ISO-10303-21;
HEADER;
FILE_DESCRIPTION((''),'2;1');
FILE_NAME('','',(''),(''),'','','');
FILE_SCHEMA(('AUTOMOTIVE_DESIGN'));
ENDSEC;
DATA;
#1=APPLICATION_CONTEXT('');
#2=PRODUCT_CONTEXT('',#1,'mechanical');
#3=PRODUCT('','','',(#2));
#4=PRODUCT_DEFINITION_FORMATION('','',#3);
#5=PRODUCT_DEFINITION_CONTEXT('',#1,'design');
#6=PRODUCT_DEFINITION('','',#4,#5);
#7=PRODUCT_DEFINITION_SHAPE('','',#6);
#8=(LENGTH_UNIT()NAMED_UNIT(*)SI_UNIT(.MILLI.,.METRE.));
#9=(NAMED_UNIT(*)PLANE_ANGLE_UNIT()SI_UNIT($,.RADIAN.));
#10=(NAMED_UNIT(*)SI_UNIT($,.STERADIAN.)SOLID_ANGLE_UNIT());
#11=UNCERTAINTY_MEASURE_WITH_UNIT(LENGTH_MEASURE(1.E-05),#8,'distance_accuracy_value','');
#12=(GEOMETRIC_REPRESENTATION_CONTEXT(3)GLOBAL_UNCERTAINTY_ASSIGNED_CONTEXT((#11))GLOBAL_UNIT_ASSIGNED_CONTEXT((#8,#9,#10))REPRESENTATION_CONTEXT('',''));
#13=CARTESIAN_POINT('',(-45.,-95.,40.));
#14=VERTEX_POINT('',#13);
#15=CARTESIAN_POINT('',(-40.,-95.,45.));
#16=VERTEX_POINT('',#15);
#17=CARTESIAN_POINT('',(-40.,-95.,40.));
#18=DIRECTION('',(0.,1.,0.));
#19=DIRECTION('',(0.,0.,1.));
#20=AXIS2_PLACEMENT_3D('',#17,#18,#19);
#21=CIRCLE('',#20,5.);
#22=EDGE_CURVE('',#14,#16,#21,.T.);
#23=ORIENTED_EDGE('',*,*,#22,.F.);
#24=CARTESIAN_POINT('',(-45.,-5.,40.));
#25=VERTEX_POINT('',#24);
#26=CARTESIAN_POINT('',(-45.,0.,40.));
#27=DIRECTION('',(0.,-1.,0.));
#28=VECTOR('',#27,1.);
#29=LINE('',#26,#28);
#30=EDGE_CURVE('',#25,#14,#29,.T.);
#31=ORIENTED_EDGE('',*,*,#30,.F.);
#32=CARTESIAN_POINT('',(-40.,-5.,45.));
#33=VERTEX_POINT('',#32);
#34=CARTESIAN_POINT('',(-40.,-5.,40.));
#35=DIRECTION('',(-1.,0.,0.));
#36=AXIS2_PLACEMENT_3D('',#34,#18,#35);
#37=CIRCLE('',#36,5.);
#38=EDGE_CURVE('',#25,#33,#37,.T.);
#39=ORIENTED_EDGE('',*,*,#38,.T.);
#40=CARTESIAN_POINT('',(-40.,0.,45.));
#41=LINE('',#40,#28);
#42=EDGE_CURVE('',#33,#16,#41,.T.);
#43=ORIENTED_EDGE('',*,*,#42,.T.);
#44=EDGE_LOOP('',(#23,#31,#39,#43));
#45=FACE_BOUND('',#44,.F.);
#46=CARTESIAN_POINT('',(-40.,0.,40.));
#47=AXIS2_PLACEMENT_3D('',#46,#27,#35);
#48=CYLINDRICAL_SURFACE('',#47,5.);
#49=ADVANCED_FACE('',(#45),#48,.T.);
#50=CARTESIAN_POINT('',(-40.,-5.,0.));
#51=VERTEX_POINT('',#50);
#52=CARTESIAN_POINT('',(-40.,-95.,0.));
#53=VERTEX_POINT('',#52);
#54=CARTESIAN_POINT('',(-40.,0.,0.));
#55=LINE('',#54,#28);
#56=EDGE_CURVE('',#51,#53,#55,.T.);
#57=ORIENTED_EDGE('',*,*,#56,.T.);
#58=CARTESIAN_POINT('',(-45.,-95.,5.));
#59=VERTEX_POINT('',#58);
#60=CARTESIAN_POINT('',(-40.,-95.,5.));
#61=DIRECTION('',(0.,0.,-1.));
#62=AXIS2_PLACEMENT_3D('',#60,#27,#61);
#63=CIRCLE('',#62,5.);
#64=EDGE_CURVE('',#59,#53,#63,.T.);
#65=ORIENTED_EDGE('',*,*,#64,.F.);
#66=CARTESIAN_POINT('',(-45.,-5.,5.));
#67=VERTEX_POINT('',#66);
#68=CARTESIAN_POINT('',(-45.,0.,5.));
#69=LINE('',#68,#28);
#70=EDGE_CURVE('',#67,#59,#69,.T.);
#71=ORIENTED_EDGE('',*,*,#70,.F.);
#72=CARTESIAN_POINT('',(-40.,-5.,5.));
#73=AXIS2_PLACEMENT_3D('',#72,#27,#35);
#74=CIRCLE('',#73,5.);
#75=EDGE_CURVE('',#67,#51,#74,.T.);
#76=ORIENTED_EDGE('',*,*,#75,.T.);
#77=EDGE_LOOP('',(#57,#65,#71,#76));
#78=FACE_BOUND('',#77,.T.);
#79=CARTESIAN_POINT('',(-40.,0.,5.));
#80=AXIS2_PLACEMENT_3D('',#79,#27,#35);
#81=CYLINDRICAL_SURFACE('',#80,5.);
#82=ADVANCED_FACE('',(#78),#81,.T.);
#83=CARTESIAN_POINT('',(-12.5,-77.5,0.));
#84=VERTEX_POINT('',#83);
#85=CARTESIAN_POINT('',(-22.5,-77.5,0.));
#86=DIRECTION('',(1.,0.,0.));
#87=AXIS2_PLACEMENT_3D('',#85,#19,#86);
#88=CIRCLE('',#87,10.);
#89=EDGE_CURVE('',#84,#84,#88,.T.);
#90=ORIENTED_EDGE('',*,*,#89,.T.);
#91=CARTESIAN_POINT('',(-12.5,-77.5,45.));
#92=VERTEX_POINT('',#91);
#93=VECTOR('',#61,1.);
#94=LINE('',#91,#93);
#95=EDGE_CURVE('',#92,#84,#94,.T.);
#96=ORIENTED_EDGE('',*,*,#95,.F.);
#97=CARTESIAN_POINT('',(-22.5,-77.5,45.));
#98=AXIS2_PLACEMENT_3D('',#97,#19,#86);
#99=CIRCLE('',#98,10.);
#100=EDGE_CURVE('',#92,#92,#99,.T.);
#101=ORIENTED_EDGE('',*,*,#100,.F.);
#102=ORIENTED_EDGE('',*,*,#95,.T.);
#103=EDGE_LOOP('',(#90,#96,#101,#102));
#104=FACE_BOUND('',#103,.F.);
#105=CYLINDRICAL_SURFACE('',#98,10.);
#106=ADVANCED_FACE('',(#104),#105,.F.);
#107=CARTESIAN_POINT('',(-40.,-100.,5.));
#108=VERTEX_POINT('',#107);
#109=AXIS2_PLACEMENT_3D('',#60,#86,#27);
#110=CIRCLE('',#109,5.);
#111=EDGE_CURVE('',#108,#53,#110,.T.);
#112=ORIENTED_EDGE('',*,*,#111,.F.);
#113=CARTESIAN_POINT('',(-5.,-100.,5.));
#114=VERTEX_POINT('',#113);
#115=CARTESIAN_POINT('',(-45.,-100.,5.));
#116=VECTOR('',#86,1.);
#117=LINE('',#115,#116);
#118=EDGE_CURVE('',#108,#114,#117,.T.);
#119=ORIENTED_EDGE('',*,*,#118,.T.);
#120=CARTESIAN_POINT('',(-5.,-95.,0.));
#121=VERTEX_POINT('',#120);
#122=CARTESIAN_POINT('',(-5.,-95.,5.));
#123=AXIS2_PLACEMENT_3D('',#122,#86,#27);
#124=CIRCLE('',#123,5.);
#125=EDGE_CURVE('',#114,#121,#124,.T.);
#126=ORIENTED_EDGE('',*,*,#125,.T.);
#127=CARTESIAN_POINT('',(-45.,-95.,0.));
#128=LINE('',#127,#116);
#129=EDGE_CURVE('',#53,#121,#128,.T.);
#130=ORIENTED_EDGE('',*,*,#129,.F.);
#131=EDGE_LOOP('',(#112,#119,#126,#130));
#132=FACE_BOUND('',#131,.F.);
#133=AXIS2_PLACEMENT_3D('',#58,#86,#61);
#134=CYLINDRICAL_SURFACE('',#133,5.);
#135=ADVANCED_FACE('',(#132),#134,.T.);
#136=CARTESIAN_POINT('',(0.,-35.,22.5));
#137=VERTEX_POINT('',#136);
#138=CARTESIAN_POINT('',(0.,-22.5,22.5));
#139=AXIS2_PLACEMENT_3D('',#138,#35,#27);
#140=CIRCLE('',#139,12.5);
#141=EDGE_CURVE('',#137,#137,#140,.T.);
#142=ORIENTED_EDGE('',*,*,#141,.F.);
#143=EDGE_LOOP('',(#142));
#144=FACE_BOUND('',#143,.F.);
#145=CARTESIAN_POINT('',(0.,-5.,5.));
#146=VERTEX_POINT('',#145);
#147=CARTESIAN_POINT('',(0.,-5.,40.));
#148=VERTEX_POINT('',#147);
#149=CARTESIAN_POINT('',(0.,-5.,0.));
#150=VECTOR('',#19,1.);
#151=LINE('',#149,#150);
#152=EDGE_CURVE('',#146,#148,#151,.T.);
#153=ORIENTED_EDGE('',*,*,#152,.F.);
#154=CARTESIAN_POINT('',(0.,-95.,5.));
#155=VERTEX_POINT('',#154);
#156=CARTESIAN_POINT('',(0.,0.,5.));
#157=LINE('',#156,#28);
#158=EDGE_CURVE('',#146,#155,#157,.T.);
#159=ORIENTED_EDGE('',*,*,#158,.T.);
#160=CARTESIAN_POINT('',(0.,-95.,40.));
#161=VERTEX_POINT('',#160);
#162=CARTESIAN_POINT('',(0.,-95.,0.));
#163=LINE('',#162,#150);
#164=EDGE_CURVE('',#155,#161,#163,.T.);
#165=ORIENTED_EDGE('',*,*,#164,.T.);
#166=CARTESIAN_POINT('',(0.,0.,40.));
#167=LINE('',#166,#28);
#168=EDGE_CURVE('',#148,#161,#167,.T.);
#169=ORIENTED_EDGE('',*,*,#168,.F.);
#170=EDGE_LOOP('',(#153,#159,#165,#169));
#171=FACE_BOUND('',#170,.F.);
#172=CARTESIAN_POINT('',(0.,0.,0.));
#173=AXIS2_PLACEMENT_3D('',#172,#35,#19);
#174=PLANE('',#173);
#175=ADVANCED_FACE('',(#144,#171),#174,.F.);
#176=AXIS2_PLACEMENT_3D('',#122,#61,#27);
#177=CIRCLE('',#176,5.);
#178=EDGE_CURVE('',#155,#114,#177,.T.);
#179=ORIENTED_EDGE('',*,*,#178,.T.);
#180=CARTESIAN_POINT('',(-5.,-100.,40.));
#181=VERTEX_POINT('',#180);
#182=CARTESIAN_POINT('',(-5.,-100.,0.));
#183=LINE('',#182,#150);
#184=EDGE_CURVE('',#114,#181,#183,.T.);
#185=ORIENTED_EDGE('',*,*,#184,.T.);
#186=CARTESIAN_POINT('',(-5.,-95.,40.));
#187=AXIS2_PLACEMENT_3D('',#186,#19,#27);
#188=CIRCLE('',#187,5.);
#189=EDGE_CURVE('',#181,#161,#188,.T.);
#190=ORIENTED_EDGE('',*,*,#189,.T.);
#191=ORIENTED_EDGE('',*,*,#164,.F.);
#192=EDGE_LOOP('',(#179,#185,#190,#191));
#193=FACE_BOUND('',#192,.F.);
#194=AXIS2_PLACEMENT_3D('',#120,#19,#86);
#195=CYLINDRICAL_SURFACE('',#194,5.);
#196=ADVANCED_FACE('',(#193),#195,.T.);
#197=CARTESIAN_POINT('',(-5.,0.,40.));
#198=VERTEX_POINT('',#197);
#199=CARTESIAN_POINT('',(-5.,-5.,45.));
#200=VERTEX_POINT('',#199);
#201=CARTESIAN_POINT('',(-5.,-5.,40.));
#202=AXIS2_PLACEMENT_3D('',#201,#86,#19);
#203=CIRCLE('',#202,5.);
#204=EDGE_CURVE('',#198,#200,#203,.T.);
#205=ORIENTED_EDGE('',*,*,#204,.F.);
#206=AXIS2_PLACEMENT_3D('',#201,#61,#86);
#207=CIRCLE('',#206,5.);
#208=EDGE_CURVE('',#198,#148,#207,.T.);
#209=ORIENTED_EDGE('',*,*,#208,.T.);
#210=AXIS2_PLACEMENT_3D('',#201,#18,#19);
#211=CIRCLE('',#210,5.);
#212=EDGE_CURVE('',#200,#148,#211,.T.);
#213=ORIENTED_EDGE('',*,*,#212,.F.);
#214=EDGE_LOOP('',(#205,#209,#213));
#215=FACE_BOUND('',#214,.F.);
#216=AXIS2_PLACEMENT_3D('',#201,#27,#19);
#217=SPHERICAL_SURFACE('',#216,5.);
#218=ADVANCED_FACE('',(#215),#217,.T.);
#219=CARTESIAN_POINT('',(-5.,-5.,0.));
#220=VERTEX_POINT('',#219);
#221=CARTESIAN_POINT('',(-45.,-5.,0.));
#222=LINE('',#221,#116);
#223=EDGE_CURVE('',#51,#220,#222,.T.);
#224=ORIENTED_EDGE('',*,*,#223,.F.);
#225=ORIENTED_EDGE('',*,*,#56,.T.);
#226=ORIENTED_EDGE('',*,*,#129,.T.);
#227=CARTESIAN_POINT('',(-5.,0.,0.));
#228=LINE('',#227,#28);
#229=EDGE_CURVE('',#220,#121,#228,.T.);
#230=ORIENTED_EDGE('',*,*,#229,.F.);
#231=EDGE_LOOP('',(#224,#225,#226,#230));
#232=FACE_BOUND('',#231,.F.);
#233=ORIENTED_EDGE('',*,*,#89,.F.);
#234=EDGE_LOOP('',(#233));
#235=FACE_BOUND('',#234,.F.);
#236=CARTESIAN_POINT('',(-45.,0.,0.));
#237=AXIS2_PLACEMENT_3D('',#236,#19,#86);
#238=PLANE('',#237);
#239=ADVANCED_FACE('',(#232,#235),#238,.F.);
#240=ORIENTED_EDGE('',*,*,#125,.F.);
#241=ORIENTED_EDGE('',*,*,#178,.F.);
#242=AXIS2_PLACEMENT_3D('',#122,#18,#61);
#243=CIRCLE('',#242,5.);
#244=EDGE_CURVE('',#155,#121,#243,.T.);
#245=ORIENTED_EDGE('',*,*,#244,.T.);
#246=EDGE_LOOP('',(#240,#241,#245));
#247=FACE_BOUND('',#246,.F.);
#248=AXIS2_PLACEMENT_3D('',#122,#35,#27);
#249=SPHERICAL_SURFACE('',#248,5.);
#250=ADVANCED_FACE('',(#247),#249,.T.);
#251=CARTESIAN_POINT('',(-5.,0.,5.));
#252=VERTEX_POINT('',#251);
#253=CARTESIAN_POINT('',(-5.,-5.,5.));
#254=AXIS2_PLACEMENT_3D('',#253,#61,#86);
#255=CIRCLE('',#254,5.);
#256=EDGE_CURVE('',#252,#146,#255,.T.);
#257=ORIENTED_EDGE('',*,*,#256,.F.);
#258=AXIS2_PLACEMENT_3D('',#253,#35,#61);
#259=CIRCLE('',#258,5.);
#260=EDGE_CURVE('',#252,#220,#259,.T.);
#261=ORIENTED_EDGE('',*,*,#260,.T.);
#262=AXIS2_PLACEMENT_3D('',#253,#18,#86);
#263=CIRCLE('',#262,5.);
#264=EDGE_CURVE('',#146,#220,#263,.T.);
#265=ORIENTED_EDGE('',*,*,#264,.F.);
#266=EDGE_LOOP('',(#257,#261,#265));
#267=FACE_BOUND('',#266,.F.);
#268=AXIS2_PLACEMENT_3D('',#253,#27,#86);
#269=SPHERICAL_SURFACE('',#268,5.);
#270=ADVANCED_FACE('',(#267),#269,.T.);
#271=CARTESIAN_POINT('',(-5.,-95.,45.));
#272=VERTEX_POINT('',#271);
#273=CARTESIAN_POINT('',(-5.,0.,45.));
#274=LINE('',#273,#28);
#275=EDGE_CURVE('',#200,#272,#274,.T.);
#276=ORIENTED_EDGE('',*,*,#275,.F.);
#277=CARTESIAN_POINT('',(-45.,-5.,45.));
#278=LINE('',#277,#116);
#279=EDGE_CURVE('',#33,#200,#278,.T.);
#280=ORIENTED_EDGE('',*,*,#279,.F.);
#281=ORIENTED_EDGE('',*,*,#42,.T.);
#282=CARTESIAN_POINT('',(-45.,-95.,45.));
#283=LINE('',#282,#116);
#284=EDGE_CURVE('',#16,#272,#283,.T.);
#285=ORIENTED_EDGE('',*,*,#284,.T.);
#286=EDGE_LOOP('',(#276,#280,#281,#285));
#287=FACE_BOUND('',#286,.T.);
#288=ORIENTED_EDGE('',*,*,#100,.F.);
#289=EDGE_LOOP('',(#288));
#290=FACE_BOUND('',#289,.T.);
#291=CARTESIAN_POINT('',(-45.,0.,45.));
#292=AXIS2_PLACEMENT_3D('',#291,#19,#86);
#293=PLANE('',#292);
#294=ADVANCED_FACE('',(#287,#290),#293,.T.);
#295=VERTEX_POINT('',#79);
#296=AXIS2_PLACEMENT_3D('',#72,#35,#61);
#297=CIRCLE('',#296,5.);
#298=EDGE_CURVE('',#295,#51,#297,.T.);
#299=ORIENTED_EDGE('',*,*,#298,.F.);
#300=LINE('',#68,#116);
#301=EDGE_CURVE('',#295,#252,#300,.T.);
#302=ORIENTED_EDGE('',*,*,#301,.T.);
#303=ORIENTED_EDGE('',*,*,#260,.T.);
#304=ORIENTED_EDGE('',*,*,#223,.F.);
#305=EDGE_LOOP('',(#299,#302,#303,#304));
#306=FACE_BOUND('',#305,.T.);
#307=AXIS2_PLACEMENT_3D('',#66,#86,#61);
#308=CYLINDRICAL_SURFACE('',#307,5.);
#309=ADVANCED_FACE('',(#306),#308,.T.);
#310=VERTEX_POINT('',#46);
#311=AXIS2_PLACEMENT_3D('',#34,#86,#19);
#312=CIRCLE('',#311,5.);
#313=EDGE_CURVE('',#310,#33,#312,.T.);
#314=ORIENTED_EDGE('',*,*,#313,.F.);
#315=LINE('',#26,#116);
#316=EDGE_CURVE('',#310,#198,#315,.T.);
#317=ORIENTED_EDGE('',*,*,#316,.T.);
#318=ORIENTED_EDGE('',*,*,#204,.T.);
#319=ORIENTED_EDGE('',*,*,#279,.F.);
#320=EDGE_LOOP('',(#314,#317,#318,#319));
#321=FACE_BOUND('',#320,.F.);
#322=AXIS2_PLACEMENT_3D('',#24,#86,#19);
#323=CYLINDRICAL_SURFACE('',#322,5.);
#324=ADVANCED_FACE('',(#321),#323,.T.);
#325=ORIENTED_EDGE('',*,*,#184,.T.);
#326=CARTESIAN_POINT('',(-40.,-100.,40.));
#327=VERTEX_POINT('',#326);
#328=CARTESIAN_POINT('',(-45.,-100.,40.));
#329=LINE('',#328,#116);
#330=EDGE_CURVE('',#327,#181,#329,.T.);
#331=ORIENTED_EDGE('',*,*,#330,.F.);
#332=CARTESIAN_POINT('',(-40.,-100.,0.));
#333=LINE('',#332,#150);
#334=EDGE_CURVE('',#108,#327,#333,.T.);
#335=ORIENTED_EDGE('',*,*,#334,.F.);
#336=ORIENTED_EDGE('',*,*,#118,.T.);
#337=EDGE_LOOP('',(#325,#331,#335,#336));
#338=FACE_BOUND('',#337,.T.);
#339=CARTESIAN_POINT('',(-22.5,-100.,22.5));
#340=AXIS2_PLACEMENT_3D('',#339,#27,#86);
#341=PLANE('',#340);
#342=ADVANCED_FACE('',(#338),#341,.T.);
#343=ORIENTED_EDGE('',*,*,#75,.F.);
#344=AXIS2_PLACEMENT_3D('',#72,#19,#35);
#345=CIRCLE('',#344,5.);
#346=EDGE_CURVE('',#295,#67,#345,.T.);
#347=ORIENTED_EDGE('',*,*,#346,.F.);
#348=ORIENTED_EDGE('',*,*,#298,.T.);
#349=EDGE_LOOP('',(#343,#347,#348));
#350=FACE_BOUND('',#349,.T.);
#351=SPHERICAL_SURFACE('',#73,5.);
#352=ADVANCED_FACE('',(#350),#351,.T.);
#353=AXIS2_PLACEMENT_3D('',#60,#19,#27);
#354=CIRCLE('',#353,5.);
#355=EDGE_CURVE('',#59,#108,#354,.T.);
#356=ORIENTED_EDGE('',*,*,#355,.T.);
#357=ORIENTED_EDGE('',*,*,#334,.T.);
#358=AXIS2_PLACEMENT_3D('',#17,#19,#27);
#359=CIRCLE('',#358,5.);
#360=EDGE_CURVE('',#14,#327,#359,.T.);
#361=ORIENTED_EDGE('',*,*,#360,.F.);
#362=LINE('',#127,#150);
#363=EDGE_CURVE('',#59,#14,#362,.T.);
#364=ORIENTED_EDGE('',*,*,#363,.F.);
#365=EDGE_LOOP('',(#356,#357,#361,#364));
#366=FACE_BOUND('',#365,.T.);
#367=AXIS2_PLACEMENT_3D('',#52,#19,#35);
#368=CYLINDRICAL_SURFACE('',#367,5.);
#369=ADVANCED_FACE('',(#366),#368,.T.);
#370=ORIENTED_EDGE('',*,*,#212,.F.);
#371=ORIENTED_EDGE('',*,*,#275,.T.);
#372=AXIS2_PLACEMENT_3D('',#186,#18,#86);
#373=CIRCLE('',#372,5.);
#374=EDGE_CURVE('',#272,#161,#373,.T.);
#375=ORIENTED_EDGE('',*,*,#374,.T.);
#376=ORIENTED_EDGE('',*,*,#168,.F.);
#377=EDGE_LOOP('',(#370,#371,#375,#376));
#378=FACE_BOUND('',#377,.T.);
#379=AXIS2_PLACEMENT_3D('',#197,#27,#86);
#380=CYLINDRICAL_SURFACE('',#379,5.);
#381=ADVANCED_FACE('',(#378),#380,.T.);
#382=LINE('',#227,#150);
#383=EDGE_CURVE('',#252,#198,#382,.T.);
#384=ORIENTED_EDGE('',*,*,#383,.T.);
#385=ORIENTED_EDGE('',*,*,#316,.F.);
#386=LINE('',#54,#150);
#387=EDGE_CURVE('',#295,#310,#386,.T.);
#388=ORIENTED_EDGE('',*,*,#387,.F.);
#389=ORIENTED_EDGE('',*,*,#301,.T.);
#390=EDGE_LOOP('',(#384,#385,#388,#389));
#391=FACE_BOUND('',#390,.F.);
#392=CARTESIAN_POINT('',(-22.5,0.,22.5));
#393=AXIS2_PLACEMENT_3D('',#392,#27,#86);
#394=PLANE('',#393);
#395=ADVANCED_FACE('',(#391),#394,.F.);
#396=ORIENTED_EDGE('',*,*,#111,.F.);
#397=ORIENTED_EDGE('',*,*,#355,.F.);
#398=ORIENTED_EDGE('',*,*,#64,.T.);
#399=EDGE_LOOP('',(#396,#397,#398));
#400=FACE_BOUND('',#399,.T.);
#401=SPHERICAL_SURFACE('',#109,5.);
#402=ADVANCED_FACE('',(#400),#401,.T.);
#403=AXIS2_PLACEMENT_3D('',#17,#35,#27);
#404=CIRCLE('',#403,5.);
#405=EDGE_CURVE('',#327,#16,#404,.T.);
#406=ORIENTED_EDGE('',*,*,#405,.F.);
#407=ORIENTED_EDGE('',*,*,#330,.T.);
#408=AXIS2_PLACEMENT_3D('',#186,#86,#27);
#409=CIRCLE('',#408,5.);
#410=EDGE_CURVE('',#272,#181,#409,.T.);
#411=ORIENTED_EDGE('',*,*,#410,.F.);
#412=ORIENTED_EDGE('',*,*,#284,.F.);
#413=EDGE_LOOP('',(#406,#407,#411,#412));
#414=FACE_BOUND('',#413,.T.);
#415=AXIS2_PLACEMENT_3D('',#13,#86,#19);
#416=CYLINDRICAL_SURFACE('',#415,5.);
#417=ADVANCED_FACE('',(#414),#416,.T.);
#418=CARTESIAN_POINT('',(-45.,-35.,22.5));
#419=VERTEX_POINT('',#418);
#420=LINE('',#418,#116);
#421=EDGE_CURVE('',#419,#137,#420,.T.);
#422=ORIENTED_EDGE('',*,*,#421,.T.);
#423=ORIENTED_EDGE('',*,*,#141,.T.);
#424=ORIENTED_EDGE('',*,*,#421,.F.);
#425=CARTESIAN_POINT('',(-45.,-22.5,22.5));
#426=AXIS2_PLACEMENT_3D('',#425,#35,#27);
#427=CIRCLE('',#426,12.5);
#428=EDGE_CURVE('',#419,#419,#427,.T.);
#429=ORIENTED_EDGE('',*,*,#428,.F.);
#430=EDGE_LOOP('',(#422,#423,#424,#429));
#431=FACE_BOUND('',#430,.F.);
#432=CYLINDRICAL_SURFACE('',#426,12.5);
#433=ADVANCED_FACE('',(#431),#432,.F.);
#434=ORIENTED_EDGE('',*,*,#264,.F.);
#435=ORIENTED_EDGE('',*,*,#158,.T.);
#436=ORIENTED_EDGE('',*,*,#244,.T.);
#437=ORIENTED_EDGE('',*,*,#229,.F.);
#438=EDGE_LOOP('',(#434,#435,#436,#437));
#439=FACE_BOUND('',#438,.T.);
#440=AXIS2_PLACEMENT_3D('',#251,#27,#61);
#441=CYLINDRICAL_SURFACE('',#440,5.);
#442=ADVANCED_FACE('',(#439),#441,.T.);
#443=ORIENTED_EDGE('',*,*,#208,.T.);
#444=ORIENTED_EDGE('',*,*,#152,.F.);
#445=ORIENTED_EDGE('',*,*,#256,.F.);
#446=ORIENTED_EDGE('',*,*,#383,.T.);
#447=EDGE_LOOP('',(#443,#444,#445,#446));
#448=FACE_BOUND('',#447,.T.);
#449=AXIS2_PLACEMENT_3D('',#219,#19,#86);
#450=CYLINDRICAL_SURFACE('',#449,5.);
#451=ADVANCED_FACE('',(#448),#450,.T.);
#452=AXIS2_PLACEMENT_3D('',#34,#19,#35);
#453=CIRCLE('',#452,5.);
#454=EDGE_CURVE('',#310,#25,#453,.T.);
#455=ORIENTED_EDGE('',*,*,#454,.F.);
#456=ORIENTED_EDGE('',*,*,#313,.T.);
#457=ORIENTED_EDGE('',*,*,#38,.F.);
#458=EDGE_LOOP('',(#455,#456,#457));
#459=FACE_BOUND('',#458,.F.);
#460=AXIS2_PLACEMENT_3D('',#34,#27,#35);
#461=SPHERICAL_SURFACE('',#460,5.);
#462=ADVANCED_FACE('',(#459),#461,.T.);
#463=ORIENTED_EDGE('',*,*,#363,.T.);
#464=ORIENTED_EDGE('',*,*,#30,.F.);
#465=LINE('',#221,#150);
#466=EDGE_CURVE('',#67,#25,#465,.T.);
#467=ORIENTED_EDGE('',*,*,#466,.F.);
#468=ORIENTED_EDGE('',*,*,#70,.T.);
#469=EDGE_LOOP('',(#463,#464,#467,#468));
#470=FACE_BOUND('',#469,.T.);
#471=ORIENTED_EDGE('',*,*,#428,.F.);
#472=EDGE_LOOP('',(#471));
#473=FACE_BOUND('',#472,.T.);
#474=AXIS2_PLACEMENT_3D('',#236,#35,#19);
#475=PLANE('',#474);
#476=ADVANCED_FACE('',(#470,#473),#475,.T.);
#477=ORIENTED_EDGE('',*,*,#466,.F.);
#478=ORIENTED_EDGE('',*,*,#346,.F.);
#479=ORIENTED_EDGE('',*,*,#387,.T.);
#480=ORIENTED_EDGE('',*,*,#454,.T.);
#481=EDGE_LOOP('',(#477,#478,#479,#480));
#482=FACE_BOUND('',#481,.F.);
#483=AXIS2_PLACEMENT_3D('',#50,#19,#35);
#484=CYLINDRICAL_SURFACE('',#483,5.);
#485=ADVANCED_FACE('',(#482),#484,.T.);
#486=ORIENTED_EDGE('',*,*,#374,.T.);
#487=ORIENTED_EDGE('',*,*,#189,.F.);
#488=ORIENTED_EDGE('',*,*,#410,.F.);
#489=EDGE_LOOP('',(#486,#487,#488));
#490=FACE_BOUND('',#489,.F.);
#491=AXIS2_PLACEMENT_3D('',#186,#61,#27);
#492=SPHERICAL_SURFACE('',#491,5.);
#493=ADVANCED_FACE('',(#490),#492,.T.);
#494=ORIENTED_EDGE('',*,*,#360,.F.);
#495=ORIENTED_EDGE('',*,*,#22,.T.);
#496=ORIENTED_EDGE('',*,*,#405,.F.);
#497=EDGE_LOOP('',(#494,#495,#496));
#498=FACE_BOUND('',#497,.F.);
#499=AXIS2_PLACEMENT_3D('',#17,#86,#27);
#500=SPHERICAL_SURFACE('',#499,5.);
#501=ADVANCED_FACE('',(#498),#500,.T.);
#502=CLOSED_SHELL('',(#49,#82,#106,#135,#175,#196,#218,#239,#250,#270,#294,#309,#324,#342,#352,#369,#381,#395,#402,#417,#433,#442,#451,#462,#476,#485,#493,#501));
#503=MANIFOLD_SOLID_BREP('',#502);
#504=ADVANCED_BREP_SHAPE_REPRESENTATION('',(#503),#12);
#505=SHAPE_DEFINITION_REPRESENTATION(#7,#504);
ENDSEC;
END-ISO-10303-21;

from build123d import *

# Parameters (mm, degrees)
F0_W     = 45
F0_H     = 45
F1_DEPTH = 100
F2_R     = 5
F3_R     = 10
F4_DEPTH = 45
F5_R     = 12.5
F6_DEPTH = 45


with BuildPart() as f1:
    # F0 (on Front) → F1 (new body)
    with BuildSketch(Plane.XZ):
        with Locations((-22.5, 22.5)):
            Rectangle(F0_W, F0_H)
    extrude(amount=F1_DEPTH)

    # F2
    f2_edges = [f1.edges().sort_by_distance(p)[0] for p in [
        (-22.5, -100, 0),
        (0, -100, 22.5),
        (-22.5, -100, 45),
        (-45, -100, 22.5),
        (-45, -50, 45),
        (-45, -50, 0),
        (-45, 0, 22.5),
        (0, -50, 45),
        (-22.5, 0, 45),
        (0, -50, 0),
        (0, 0, 22.5),
        (-22.5, 0, 0),
    ]]
    fillet(f2_edges, radius=F2_R)

    # F3 (on face) → F4 (cut)
    with BuildSketch(Plane.XY.offset(45)):
        with Locations((-22.5, -77.5)):
            Circle(F3_R)
    extrude(amount=-F4_DEPTH, mode=Mode.SUBTRACT)

    # F5 (on face) → F6 (cut)
    with BuildSketch(Plane(origin=(-45, 0, 0), x_dir=(0, -1, 0), z_dir=(-1, 0, 0))):
        with Locations((22.5, 22.5)):
            Circle(F5_R)
    extrude(amount=-F6_DEPTH, mode=Mode.SUBTRACT)


solid = f1.part
